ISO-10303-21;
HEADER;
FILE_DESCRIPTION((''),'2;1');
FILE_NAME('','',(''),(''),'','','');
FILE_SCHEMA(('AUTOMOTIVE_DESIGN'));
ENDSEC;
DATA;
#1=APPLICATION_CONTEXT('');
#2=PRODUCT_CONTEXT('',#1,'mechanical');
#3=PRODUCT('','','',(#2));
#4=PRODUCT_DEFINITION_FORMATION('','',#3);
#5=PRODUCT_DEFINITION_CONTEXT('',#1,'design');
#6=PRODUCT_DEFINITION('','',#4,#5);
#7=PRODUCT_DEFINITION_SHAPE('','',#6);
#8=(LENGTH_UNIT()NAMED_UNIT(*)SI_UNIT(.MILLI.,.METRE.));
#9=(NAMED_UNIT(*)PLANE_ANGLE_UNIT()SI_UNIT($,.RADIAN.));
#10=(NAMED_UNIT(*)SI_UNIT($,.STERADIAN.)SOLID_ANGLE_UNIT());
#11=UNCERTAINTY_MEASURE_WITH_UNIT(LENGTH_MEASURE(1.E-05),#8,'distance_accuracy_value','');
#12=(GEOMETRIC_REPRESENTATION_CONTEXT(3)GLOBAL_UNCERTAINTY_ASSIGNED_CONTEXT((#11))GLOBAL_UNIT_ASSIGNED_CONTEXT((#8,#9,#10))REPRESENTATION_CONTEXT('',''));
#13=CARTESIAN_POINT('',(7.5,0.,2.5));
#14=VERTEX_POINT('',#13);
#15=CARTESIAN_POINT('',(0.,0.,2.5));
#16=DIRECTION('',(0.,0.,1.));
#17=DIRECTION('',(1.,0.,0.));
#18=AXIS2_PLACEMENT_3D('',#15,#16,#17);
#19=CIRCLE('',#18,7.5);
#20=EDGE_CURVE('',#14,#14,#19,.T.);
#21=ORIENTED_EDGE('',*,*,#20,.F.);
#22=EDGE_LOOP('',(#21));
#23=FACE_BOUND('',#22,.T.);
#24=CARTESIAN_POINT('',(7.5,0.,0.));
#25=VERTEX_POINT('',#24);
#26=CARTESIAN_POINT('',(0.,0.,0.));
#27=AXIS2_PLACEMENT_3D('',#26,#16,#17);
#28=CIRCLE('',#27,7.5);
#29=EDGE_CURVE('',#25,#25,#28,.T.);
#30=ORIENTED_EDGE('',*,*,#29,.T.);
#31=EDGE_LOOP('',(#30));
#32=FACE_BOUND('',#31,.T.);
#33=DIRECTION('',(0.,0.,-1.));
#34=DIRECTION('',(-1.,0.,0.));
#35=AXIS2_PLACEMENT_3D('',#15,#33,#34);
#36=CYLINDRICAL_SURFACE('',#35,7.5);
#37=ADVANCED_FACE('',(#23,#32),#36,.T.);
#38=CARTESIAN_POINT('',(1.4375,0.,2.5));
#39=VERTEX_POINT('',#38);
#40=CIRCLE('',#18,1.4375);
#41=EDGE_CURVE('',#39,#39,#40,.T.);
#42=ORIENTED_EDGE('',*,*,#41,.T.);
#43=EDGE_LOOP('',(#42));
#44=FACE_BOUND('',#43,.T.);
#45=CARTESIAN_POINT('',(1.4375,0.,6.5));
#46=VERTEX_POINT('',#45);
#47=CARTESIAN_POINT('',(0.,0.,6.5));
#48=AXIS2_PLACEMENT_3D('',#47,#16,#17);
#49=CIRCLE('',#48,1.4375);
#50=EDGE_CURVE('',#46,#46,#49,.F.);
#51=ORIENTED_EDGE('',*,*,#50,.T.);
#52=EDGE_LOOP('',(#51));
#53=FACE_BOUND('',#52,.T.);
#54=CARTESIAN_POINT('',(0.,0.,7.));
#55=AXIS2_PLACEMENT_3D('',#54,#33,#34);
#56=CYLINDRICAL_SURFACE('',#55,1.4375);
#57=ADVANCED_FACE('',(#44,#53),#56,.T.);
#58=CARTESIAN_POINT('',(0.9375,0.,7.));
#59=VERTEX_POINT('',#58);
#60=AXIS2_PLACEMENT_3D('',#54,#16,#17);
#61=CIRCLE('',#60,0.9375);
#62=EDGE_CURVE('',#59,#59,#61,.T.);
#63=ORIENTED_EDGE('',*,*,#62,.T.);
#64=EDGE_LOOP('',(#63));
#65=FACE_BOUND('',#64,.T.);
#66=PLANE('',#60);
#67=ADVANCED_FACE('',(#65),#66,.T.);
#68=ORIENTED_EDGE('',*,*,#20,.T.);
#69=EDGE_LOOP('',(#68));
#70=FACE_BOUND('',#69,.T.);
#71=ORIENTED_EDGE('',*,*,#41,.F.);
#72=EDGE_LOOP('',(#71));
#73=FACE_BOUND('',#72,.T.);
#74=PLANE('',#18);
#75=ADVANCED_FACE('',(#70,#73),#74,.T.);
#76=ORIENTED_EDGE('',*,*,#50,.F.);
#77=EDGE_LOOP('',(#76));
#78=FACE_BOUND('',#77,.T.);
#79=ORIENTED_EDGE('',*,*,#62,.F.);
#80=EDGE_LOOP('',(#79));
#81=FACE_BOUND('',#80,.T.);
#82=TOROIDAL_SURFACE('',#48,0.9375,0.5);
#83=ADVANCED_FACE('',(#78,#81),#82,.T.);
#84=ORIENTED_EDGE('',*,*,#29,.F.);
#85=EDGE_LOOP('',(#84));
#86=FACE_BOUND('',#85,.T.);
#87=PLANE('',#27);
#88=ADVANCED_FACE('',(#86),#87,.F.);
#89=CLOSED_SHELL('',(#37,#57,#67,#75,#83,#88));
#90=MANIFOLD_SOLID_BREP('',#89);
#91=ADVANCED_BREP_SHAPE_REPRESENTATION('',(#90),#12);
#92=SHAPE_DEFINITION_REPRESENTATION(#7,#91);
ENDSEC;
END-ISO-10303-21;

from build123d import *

# Parameters (mm, degrees)
SKETCH1_R           = 7.5
BOSS_EXTRUDE1_DEPTH = 2.5
SKETCH2_R           = 1.4375
BOSS_EXTRUDE2_DEPTH = 4.5
FILLET1_R           = 0.5


with BuildPart() as part:
    # Sketch1 → Boss-Extrude1 (new body)
    with BuildSketch(Plane.XY):
        Circle(SKETCH1_R)
    extrude(amount=BOSS_EXTRUDE1_DEPTH)

    # Sketch2 → Boss-Extrude2 (add)
    with BuildSketch(Plane.XY.offset(2.5)):
        Circle(SKETCH2_R)
    extrude(amount=BOSS_EXTRUDE2_DEPTH)

    # Fillet1
    fillet1_edges = [part.edges().sort_by_distance(p)[0] for p in [
        (-1.4375, 0, 7),
    ]]
    fillet(fillet1_edges, radius=FILLET1_R)


solid = part.part
